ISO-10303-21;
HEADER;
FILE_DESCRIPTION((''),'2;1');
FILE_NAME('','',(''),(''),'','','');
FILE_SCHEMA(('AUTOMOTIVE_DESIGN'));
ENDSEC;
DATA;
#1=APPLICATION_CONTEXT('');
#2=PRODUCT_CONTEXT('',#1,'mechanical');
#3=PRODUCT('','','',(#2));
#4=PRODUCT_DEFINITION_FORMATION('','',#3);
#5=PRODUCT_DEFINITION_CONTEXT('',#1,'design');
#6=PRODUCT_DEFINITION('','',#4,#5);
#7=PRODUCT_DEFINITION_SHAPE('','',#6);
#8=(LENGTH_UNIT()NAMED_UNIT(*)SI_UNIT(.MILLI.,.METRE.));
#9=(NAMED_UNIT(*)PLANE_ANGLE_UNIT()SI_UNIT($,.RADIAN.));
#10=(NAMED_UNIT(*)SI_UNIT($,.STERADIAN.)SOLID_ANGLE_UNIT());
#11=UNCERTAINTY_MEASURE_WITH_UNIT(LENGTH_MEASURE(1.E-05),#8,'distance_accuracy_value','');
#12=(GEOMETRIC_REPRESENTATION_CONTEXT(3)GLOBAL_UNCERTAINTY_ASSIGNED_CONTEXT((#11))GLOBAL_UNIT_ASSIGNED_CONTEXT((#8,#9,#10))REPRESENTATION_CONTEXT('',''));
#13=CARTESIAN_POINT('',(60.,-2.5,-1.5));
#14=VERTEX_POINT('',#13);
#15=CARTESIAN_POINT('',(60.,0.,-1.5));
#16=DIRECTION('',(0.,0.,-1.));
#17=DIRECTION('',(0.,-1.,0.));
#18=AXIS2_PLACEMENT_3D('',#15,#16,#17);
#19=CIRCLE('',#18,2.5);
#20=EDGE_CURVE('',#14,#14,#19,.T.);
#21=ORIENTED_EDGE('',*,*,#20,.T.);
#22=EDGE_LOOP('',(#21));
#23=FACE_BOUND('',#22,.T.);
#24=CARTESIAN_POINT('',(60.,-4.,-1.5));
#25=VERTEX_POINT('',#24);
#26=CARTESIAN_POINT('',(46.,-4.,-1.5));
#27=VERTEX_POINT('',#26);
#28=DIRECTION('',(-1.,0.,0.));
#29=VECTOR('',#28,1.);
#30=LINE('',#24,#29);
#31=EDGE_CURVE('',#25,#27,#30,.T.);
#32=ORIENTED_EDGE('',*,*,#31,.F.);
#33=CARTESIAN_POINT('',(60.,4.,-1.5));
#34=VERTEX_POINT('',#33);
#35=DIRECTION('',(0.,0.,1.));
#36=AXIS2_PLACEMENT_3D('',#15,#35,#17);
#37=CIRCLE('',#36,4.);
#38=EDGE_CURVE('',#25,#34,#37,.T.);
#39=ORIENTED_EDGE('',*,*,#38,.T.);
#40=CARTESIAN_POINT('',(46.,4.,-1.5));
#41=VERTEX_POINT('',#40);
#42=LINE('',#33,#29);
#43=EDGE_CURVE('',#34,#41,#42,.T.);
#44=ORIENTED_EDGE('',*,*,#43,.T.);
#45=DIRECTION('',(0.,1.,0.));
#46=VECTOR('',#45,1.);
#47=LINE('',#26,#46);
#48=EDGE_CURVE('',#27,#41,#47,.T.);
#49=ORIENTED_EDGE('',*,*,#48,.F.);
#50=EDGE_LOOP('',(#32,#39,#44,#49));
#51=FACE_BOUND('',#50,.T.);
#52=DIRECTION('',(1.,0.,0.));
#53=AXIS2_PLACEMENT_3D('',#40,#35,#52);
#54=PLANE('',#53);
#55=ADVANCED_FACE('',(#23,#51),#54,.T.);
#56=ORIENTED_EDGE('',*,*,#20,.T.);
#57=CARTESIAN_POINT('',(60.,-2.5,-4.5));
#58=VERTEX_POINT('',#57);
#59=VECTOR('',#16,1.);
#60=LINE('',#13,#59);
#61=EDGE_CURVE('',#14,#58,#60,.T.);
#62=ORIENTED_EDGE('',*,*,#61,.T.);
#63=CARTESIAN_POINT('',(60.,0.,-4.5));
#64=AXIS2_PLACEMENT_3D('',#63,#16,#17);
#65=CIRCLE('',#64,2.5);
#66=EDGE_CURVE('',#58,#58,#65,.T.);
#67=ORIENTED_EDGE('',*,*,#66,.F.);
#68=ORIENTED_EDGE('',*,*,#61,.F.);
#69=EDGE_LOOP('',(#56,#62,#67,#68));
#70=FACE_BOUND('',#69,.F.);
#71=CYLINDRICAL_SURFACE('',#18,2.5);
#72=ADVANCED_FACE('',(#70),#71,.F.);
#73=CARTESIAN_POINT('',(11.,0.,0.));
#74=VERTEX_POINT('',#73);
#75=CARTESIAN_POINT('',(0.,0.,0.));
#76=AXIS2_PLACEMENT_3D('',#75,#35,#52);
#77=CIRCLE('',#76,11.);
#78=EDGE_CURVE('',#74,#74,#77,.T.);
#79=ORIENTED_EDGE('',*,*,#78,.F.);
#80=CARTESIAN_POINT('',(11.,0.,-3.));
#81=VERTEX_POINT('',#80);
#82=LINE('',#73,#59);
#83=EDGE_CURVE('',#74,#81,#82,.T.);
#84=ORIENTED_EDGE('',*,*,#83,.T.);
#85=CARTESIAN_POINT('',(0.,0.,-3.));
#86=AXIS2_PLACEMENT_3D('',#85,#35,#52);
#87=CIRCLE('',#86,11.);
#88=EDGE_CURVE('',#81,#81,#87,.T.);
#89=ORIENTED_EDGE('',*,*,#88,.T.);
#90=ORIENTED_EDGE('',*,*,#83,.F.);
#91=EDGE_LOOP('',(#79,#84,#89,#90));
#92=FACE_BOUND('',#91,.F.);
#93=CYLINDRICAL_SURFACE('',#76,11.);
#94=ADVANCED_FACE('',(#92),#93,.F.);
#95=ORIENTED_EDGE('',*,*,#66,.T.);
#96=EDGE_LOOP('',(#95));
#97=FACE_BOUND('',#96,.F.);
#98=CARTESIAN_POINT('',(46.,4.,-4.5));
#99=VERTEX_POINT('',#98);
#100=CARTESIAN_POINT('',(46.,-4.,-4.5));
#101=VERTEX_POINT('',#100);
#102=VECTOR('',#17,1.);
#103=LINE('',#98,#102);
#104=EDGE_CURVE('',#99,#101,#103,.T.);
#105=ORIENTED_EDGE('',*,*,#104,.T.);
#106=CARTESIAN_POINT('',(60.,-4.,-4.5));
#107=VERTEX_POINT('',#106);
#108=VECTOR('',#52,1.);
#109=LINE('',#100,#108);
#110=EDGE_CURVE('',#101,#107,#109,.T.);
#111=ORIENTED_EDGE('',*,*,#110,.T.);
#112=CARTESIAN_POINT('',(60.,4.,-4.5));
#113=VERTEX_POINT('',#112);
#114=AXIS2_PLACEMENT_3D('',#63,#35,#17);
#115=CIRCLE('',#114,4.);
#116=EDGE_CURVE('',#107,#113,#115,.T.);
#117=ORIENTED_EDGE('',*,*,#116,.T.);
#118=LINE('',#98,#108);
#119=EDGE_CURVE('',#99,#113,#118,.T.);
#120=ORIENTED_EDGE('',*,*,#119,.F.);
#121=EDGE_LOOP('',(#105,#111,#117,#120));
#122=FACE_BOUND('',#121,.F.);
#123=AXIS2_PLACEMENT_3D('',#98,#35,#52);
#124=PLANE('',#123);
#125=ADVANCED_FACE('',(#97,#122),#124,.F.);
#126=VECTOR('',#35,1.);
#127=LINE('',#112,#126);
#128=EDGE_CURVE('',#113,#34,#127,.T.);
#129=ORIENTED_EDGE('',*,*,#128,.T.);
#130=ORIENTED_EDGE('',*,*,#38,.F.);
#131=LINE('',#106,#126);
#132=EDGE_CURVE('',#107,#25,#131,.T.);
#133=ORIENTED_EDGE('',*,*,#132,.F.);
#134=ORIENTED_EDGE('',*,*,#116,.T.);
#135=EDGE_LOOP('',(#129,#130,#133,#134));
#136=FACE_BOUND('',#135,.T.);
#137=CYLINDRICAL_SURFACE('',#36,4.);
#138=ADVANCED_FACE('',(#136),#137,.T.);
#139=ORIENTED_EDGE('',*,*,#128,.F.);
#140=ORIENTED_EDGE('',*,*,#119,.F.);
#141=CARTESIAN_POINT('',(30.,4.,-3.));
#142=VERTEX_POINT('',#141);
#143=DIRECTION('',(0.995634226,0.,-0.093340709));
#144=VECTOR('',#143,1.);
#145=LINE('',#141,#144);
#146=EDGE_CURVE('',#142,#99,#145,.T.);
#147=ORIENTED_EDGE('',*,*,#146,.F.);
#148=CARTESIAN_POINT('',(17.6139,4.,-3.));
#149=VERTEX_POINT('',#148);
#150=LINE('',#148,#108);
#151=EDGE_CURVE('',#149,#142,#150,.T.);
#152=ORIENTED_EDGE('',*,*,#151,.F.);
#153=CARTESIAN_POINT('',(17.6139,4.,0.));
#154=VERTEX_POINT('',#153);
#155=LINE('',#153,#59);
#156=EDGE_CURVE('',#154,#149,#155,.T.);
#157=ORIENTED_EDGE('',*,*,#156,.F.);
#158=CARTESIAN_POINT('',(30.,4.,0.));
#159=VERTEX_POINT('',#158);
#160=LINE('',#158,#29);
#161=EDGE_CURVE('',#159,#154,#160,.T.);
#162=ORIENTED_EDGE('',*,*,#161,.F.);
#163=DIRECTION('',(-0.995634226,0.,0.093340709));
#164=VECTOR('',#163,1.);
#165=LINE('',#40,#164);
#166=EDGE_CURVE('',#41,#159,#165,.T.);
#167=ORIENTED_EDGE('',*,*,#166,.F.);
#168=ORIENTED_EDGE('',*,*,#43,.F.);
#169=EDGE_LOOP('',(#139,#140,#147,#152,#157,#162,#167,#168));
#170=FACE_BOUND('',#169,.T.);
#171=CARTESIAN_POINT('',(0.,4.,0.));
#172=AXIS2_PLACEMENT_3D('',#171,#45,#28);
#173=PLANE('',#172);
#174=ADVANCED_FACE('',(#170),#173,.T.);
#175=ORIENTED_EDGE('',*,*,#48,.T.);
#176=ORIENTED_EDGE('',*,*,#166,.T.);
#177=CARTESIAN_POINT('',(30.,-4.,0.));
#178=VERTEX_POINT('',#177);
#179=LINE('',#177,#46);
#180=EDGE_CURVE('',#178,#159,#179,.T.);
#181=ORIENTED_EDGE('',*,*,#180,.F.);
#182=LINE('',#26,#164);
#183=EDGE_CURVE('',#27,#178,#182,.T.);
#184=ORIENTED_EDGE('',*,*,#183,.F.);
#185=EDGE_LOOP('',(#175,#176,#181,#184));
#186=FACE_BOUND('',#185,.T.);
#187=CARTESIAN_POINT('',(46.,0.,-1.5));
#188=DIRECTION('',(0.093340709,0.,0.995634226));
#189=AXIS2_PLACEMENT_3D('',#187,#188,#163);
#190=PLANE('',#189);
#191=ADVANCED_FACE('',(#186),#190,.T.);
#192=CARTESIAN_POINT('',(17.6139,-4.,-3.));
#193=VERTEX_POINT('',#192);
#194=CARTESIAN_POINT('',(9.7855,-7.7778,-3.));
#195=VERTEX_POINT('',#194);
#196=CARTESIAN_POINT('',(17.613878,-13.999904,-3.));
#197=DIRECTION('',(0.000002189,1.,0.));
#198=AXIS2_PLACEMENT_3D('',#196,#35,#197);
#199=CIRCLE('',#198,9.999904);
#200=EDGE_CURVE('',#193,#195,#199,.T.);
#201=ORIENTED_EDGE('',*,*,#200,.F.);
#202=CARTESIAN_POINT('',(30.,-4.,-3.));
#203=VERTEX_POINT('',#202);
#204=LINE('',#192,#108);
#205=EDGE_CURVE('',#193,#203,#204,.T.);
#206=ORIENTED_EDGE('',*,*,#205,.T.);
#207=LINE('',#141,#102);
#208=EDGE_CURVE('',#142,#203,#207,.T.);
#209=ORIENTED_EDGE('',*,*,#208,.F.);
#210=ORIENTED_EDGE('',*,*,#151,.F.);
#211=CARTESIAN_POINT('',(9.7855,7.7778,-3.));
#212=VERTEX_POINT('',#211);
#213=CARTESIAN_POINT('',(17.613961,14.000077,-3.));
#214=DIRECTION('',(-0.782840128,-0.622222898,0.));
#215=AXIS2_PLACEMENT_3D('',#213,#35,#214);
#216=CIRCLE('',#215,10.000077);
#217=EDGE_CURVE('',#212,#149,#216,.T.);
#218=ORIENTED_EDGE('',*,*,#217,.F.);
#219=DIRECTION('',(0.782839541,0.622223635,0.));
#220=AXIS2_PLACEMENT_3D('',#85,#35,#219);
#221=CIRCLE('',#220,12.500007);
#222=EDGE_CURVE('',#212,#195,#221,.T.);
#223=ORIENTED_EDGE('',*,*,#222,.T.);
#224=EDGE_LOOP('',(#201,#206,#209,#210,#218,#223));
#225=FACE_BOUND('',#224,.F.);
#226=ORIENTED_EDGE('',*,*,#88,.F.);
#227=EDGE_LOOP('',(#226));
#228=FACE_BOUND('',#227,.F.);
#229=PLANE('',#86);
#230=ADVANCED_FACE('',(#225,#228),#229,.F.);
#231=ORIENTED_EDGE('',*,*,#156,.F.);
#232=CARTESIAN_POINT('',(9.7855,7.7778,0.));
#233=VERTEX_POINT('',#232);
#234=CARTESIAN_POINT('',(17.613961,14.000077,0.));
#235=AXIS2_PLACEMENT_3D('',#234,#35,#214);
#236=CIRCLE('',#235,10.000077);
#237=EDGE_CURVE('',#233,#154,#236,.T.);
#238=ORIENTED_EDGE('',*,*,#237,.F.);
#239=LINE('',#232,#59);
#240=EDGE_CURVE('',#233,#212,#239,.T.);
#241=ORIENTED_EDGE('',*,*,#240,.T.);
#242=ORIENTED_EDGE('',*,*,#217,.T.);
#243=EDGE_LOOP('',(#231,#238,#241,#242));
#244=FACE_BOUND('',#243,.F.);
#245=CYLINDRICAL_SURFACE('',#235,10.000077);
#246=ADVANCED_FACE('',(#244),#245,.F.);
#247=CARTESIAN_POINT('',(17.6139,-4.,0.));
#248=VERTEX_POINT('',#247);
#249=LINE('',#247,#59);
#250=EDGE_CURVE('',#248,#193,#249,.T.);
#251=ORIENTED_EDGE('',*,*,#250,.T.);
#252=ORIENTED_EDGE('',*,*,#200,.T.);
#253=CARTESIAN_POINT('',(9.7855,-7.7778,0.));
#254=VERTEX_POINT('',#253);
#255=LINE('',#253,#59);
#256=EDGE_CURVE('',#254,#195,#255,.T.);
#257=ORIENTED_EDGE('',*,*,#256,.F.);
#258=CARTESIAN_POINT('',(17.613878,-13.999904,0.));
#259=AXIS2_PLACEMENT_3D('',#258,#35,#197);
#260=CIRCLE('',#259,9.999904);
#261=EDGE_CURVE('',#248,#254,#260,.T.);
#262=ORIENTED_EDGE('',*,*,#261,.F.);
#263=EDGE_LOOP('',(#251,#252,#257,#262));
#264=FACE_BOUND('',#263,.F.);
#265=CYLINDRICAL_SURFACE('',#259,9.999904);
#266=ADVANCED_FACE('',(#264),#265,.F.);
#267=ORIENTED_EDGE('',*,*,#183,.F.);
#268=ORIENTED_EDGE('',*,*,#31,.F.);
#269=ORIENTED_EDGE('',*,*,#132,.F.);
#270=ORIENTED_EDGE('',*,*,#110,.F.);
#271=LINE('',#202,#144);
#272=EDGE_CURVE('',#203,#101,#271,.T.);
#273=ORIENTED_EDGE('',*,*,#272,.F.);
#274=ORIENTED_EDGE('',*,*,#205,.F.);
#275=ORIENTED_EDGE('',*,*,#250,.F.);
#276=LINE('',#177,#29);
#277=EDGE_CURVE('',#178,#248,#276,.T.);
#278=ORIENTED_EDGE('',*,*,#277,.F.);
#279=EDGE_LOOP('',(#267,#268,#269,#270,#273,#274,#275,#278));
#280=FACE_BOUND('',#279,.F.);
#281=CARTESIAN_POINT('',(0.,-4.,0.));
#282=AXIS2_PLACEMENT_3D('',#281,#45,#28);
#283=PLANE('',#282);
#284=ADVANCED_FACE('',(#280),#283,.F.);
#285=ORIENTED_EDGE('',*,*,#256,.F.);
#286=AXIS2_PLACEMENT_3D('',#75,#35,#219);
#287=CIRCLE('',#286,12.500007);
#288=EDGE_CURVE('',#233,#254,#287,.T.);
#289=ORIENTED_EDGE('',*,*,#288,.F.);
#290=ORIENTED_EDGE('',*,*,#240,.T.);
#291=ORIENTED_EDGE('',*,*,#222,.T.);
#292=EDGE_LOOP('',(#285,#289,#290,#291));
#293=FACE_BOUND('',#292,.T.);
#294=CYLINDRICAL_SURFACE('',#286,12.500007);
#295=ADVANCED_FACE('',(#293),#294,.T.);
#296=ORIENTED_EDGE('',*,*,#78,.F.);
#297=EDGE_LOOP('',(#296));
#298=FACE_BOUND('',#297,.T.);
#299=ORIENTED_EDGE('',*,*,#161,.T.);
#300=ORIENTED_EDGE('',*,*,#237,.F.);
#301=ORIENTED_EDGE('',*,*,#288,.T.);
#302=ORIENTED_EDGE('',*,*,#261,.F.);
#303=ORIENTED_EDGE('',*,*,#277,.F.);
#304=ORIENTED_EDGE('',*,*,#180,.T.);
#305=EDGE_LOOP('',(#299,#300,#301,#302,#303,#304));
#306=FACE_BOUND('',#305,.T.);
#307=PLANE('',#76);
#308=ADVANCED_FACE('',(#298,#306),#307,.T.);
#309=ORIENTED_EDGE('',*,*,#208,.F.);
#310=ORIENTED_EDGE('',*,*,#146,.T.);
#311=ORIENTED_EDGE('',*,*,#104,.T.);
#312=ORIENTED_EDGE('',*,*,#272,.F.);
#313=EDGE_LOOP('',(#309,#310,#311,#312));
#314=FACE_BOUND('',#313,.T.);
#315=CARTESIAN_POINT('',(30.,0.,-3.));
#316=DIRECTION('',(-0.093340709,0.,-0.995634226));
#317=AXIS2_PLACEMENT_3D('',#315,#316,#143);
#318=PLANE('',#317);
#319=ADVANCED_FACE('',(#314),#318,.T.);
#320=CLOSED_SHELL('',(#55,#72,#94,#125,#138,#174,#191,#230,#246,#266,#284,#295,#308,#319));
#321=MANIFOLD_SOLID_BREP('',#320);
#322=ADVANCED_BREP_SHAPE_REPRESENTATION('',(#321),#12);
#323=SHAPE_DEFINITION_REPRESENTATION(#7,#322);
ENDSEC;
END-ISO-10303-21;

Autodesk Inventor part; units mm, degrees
ref_plane "YZ Plane" through (0, 0, 0) normal (1, 0, 0) x (0, 1, 0)
ref_plane "XY Plane" through (0, 0, 0) normal (0, 0, 1) x (1, 0, 0)
sketch "Sketch1" plane through (0, 0, 0) normal (0, 0, 1) x (1, 0, 0)
  arc A0 (9.7855, 7.7778) -> (9.7855, -7.7778) centre (0, 0) ccw
  circle A1 centre (0, 0) radius 11
  arc A2 (60, -4) -> (60, 4) centre (60, 0) ccw
  line L0 (60, 4) -> (17.6139, 4) construction
  line L1 (60, -4) -> (17.6139, -4) construction
  arc A3 (17.6139, -4) -> (9.7855, -7.7778) centre (17.6139, -14) ccw
  arc A4 (9.7855, 7.7778) -> (17.6139, 4) centre (17.6139, 14) ccw
  line L2 (30, 4) -> (30, -4) construction
  line L3 (17.6139, -4) -> (17.6139, 4)
  point P0 (11.8427, 4)
  point P1 (11.8427, -4)
  point P2 (-12.5, 0)
  point P3 (30, 0)
  dimension "d0" = 25
  dimension "d1" = 22
  dimension "d2" = 4
  dimension "d3" = 10
  dimension "d4" = 60
  dimension "d17" = 42.5
extrude "Extrusion1" add sketch "Sketch1" against normal blind 3
ref_plane "Work Plane3" through (0, 0, 0) normal (0, 1, 0) x (-1, 0, 0)
sketch "Sketch7" plane through (0, 0, 0) normal (0, 1, 0) x (-1, 0, 0)
  line L0 (-17.6139, 0) -> (-17.6139, -3) projected
  line L1 (-17.6139, -3) -> (-30, -3)
  line L2 (-30, -3) -> (-46, -4.5)
  line L3 (-46, -4.5) -> (-60, -4.5)
  line L4 (-60, -4.5) -> (-60, -1.5)
  line L5 (-60, -1.5) -> (-46, -1.5)
  line L6 (-46, -1.5) -> (-30, 0)
  line L7 (-30, 0) -> (-17.6139, 0)
  line L8 (-17.6139, -3) -> (-17.6139, 0)
  point P0 (0, 0)
  point P1 (-60, -3)
  dimension "d19" = 1.5
  dimension "d20" = 14
  dimension "d21" = 60
  dimension "d22" = 3
extrude "Extrusion3" add sketch "Sketch7" along normal mid plane 8
sketch "Sketch8" plane through (46, 4, -1.5) normal (0, 0, 1) x (1, 0, 0)
  line L0 (14, -8) -> (14, 0) projected
  arc A0 (14, -8) -> (14, 0) centre (14, -4) ccw
  point P0 (-46, -4)
  dimension "d25" = 4
extrude "Extrusion4" add sketch "Sketch8" against normal up to surface (3 mm away)
sketch "Sketch9" plane through (46, -4, -1.5) normal (0, 0, 1) x (1, 0, 0)
  arc A0 (14, 0) -> (14, 8) centre (14, 4) ccw projected
  point P0 (-46, 4)
hole "Hole1" at (60, 0, -1.5) direction (0, 0, -1) diameter 5 depth 3
properties part number "15B"
